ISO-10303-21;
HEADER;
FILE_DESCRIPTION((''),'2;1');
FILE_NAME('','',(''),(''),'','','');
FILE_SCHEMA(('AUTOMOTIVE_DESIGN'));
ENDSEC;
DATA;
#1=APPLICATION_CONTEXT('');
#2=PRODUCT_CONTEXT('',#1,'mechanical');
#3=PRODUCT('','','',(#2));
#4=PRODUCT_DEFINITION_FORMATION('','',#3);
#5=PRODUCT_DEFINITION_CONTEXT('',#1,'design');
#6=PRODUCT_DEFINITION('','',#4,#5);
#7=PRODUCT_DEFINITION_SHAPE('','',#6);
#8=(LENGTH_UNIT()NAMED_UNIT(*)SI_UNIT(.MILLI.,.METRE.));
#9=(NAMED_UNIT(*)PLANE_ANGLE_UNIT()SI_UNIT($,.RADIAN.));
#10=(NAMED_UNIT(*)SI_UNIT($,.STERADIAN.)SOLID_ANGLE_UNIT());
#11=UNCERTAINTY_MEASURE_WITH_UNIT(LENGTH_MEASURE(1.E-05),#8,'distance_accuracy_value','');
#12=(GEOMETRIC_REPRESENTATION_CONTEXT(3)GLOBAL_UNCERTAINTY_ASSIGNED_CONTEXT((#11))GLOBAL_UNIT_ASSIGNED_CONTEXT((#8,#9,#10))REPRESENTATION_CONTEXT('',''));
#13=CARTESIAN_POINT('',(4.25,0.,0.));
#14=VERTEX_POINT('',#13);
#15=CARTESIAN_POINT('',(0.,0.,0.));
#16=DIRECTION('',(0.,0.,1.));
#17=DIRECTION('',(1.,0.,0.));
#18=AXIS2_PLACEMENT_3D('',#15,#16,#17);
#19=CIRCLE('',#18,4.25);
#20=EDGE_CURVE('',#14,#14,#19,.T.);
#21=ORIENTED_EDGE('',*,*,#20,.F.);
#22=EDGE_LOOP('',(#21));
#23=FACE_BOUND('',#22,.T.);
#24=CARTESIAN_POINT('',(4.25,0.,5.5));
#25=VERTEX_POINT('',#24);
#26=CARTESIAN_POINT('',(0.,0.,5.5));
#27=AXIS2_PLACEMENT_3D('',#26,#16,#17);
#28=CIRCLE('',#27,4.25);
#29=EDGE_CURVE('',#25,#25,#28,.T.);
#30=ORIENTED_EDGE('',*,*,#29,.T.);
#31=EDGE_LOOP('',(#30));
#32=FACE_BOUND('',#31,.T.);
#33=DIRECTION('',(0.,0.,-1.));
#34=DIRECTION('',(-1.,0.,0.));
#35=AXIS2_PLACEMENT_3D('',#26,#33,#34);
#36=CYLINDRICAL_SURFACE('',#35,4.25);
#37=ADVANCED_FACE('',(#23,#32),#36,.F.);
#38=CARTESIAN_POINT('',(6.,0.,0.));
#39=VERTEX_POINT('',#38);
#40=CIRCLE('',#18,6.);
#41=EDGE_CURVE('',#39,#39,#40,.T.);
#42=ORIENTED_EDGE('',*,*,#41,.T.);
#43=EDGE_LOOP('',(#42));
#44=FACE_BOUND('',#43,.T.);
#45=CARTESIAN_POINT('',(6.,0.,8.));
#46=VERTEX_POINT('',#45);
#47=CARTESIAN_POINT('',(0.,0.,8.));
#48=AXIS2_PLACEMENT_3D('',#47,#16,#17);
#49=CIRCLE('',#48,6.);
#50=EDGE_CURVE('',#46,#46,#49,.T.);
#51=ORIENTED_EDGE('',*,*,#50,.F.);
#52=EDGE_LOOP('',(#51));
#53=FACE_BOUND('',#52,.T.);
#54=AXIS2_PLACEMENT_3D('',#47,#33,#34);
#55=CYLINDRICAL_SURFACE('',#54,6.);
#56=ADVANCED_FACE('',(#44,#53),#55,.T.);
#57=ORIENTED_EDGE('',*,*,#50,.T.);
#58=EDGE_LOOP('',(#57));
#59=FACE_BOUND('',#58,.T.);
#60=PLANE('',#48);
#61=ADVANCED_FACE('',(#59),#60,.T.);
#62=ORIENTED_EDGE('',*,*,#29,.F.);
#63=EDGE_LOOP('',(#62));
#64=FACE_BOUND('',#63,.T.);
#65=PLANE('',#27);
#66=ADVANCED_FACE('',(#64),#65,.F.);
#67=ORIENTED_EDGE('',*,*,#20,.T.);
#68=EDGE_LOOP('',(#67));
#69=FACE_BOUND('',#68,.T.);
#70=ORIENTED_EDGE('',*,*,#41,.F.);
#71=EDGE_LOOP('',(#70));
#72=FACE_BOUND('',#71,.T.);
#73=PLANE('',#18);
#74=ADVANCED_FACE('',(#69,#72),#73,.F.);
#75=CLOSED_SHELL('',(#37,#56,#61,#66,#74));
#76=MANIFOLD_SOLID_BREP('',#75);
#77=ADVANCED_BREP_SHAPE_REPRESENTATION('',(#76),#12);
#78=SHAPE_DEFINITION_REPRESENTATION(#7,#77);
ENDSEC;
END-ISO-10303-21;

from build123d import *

# Parameters (mm, degrees)
SKETCH1_R           = 6
BOSS_EXTRUDE1_DEPTH = 8
SKETCH1_4_R         = 4.25
CUT_EXTRUDE1_DEPTH  = 5.5


with BuildPart() as part:
    # Sketch1 → Boss-Extrude1 (new body)
    with BuildSketch(Plane.XY):
        Circle(SKETCH1_R)
    extrude(amount=BOSS_EXTRUDE1_DEPTH)

    # Sketch1<4> → Cut-Extrude1 (cut)
    with BuildSketch(Plane.XY):
        Circle(SKETCH1_4_R)
    extrude(amount=CUT_EXTRUDE1_DEPTH, mode=Mode.SUBTRACT)


solid = part.part
